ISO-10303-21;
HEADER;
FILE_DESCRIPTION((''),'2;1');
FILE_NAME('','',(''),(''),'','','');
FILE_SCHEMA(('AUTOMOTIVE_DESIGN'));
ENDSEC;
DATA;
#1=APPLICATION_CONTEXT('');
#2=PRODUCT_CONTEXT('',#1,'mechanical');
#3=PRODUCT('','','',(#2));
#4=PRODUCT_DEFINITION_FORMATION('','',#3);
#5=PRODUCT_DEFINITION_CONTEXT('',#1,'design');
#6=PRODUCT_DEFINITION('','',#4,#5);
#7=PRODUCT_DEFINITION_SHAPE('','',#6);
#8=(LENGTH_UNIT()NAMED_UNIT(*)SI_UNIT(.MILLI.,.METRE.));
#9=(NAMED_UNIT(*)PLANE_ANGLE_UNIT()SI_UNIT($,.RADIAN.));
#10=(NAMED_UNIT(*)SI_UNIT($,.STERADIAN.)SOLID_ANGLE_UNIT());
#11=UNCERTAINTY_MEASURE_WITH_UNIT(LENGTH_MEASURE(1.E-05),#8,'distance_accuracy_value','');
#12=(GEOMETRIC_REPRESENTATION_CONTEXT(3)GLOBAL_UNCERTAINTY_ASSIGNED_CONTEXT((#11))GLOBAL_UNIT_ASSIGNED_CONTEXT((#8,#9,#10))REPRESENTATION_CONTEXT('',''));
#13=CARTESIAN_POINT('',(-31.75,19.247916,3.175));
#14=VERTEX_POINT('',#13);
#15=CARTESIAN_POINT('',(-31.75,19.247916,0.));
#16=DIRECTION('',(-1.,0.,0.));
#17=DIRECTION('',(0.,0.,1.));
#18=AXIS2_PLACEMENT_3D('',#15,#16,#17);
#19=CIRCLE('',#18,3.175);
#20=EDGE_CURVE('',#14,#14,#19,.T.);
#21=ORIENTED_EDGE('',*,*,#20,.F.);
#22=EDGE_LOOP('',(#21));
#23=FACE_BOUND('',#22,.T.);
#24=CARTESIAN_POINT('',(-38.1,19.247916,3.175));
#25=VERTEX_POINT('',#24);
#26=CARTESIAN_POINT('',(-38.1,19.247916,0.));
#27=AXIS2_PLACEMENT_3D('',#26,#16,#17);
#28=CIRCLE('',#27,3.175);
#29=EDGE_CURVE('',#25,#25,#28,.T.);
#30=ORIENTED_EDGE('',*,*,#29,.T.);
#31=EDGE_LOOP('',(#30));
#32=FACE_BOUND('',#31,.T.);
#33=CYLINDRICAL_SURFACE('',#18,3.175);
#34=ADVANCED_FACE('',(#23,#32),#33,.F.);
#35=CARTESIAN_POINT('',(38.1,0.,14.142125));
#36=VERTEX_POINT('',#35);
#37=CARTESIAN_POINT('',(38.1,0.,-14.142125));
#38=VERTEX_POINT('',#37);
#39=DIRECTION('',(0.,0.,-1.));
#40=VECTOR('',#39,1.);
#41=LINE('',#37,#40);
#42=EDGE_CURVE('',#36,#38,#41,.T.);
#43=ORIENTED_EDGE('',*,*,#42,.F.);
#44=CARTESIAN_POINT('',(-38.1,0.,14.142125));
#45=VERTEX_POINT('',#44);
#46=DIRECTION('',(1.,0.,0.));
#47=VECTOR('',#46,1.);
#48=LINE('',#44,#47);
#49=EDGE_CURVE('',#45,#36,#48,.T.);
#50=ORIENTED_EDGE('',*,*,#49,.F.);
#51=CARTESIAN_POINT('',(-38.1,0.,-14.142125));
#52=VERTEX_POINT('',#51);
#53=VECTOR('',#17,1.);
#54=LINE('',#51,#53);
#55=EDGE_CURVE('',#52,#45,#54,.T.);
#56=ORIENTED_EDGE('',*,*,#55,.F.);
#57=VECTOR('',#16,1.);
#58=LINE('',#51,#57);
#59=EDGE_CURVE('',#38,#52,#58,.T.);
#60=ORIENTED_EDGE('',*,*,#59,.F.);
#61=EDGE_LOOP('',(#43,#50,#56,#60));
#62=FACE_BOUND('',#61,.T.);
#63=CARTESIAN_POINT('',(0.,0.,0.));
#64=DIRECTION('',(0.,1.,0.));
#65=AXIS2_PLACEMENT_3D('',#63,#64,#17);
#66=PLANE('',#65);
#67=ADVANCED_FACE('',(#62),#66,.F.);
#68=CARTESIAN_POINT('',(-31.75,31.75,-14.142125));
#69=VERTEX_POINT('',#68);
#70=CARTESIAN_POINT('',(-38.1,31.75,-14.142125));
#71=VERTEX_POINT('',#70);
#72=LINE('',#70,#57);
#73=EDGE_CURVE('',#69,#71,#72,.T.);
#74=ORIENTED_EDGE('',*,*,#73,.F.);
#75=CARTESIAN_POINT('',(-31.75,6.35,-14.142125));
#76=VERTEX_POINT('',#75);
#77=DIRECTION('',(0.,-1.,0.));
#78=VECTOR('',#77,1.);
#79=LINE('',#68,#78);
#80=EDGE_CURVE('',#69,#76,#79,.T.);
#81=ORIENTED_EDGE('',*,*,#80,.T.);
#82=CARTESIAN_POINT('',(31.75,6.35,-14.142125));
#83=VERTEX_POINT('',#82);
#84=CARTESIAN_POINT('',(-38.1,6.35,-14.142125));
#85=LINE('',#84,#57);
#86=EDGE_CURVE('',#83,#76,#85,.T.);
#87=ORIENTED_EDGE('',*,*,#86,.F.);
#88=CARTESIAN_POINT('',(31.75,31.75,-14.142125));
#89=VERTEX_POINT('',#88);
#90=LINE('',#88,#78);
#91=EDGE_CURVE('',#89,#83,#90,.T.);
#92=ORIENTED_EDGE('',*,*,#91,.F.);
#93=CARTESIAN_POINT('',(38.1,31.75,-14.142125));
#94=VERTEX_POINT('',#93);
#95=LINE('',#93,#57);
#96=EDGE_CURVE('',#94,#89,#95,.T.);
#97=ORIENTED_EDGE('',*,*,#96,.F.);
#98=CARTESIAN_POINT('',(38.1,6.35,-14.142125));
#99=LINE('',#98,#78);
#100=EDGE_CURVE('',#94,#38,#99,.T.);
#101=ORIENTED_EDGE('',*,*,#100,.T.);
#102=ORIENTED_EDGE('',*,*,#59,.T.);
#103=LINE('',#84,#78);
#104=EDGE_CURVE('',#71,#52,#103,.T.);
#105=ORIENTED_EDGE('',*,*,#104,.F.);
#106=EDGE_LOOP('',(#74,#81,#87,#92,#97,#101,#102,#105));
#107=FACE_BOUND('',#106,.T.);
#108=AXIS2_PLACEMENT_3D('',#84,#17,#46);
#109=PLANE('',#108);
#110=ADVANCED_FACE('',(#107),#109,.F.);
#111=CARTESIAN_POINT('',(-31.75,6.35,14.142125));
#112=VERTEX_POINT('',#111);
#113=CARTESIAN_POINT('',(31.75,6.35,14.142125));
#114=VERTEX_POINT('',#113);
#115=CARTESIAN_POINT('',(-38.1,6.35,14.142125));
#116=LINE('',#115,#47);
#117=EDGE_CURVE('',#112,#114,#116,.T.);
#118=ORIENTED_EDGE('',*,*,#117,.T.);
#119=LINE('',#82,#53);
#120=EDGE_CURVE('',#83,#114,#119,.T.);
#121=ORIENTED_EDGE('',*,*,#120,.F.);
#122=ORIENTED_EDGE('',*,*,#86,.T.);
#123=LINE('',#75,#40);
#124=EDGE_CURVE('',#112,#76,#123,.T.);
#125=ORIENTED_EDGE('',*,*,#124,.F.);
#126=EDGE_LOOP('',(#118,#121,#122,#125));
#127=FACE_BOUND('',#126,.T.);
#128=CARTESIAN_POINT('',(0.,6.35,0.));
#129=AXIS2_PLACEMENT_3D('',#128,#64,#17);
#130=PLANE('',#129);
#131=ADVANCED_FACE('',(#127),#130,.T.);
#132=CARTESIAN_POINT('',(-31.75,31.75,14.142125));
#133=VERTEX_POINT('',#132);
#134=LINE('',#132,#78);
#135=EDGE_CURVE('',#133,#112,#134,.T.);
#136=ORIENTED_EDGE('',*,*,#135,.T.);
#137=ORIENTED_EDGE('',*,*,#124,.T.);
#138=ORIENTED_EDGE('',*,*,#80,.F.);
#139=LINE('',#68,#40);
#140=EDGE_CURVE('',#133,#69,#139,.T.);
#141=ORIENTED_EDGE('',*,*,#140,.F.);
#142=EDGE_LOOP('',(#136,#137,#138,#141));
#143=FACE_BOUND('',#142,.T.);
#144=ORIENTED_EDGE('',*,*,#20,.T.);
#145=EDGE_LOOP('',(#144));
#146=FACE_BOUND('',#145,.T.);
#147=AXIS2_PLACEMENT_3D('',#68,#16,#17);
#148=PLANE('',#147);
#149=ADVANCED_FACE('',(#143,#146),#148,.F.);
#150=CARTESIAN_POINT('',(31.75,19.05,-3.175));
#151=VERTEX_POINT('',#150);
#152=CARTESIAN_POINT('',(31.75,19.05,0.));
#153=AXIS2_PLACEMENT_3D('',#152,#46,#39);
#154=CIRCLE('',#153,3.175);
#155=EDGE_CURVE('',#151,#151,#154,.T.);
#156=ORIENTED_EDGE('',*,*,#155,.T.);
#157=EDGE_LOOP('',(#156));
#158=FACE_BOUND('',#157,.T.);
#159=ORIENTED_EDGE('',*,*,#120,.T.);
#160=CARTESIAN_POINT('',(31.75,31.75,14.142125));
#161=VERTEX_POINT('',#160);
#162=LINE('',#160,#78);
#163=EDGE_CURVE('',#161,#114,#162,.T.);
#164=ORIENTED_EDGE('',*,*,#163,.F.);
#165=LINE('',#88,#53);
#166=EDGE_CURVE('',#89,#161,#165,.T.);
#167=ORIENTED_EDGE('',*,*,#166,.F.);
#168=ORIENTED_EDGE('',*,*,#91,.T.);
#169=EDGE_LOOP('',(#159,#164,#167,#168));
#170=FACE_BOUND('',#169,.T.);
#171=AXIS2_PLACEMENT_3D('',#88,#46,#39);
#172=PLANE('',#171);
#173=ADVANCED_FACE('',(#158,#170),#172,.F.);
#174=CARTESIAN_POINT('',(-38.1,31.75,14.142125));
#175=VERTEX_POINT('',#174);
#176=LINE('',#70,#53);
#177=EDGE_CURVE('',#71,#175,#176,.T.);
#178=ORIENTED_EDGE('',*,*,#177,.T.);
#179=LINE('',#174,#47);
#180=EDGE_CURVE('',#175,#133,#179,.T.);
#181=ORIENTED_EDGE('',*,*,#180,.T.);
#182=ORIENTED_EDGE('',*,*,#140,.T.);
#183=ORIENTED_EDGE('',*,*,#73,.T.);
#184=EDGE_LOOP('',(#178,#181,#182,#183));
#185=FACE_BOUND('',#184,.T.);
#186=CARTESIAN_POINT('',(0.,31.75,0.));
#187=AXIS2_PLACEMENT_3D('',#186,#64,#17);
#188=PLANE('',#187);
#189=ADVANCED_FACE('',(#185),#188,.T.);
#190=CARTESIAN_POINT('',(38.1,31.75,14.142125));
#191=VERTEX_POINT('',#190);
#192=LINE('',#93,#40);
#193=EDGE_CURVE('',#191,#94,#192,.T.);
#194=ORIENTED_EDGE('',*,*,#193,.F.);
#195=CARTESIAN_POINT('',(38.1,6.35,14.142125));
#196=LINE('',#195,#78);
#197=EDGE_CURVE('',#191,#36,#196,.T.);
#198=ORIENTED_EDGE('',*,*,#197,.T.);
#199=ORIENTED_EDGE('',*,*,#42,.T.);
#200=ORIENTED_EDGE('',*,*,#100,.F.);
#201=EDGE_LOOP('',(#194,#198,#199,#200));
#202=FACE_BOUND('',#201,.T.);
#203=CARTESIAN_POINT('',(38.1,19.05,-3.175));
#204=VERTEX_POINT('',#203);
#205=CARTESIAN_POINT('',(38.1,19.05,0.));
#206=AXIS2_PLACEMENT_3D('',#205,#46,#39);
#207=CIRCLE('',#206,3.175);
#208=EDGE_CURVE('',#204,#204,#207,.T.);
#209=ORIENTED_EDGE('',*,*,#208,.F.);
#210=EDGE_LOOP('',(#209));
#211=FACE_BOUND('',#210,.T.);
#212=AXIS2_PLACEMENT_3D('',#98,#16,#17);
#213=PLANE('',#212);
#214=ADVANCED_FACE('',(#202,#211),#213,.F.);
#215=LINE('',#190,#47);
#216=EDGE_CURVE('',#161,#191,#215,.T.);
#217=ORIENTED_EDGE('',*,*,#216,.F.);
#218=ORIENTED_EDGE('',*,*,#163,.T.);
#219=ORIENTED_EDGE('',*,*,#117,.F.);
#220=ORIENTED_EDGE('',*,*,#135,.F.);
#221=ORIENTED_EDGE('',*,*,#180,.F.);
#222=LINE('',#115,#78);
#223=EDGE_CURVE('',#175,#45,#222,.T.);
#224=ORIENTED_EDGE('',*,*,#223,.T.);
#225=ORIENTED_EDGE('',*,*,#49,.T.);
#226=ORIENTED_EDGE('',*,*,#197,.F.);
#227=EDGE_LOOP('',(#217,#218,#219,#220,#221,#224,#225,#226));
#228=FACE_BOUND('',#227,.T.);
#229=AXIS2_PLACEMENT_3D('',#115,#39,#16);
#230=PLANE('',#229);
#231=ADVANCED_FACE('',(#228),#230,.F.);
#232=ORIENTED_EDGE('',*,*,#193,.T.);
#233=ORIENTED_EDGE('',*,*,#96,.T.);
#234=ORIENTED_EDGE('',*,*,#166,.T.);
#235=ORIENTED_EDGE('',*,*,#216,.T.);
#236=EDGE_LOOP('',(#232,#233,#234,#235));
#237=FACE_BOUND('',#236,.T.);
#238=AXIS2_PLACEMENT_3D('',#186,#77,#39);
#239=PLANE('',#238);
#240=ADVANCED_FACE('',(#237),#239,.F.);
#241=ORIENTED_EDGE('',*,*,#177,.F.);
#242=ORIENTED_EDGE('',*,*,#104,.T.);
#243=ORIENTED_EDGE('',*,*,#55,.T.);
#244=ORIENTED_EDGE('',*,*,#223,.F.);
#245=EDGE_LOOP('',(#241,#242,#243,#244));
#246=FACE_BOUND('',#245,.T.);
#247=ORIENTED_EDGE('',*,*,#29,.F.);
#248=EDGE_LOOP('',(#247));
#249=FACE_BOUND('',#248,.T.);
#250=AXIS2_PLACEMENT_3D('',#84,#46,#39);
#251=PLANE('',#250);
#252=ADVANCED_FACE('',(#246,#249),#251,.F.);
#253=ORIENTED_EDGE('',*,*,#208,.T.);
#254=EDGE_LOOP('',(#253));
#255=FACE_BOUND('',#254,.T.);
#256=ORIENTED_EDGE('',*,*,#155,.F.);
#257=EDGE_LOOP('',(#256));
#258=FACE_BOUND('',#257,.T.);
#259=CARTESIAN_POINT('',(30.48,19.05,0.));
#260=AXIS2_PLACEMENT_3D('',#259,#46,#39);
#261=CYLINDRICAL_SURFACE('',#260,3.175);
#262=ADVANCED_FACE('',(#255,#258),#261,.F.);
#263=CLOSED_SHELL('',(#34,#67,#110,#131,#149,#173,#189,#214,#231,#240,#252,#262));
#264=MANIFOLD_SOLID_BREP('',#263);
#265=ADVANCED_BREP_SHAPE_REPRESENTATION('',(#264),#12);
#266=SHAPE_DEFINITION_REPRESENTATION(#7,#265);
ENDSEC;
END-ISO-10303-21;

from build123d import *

# Parameters (mm, degrees)
SKETCH1_W           = 76.2
SKETCH1_H           = 28.284249084
BOSS_EXTRUDE1_DEPTH = 6.35
SKETCH2_W           = 6.35
SKETCH2_H           = 28.284249084
BOSS_EXTRUDE2_DEPTH = 25.4
SKETCH3_R           = 3.175
CUT_EXTRUDE1_DEPTH  = 6.35
SKETCH4_R           = 3.175
CUT_EXTRUDE2_DEPTH  = 7.62


with BuildPart() as part:
    # Sketch1 → Boss-Extrude1 (new body)
    with BuildSketch(Plane(origin=(0, 0, 0), x_dir=(1, 0, 0), z_dir=(0, 1, 0))):
        Rectangle(SKETCH1_W, SKETCH1_H)
    extrude(amount=BOSS_EXTRUDE1_DEPTH)

    # Sketch2 → Boss-Extrude2 (add)
    with BuildSketch(Plane(origin=(0, 6.35, 0), x_dir=(1, 0, 0), z_dir=(0, 1, 0))):
        with Locations((-34.925, 0)):
            Rectangle(SKETCH2_W, SKETCH2_H)
        with Locations((34.925, 0)):
            Rectangle(SKETCH2_W, SKETCH2_H)
    extrude(amount=BOSS_EXTRUDE2_DEPTH)

    # Sketch3 → Cut-Extrude1 (cut)
    with BuildSketch(Plane.ZY.offset(38.1)):
        with Locations((0, 19.247915812)):
            Circle(SKETCH3_R)
    extrude(amount=-CUT_EXTRUDE1_DEPTH, mode=Mode.SUBTRACT)

    # Sketch4 → Cut-Extrude2 (cut)
    with BuildSketch(Plane(origin=(38.1, 0, 0), x_dir=(0, 0, -1), z_dir=(1, 0, 0))):
        with Locations((0, 19.05)):
            Circle(SKETCH4_R)
    extrude(amount=-CUT_EXTRUDE2_DEPTH, mode=Mode.SUBTRACT)


solid = part.part
